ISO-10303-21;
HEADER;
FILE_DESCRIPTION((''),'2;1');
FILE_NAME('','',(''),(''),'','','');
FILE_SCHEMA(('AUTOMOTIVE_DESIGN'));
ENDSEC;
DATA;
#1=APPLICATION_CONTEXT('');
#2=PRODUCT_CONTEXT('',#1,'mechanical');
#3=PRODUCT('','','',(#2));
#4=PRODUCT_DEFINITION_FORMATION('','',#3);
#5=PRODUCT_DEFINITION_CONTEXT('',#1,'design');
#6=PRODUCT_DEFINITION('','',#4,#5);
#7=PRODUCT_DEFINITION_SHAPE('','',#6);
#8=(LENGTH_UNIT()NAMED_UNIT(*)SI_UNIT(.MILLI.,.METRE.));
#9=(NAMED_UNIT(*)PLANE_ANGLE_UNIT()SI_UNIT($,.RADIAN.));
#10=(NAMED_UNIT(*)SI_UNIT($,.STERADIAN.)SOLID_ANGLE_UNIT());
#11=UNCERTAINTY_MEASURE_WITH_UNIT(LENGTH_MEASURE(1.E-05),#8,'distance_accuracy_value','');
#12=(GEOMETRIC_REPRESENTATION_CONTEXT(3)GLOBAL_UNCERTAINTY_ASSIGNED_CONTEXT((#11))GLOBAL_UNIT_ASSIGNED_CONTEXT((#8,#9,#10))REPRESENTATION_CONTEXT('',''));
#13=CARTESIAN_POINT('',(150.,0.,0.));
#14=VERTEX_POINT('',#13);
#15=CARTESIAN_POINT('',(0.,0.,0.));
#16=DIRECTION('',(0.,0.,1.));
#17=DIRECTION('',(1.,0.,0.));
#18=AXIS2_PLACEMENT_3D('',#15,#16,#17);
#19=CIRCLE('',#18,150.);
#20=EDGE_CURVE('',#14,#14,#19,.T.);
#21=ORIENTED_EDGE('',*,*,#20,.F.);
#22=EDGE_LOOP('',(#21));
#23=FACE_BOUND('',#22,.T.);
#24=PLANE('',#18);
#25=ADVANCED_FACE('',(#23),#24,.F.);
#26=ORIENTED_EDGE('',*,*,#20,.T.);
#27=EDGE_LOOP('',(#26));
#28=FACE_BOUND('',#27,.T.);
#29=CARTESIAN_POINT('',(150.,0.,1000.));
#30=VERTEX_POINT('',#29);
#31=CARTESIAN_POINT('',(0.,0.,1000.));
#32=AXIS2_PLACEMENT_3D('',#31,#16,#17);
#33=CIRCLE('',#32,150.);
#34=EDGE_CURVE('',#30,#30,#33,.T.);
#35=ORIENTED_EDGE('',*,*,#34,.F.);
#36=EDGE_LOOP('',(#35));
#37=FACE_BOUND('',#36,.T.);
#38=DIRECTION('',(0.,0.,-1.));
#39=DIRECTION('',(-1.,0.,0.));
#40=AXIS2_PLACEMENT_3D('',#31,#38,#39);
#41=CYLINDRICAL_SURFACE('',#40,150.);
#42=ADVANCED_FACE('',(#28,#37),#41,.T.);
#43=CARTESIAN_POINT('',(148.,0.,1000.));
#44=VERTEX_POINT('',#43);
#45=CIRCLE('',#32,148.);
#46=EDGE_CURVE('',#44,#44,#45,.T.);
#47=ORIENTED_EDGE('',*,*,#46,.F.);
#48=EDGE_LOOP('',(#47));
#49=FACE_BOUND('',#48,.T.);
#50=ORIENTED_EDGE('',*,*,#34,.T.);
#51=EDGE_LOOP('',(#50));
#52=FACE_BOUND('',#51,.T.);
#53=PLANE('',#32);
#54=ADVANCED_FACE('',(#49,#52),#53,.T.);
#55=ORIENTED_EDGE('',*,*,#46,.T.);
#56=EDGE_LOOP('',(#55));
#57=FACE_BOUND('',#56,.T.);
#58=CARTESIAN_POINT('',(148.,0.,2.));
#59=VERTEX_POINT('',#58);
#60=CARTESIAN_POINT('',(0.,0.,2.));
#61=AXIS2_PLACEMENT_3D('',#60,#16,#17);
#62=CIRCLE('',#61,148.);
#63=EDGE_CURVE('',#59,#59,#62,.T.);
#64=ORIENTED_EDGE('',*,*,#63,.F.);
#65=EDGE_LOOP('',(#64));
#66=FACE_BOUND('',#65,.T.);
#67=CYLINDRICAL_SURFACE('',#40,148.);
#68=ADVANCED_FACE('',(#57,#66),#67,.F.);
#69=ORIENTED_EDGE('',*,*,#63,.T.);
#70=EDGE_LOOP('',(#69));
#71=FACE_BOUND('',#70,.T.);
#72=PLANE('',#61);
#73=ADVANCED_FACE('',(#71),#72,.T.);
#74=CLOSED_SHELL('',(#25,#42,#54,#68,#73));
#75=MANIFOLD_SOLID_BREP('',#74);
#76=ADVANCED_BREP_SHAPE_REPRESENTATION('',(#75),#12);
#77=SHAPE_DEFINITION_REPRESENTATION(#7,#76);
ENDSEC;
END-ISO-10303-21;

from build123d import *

# Parameters (mm, degrees)
SKETCH_1_R      = 150
EXTRUDE_1_DEPTH = 1000
SHELL_1_T       = -2


with BuildPart() as part:
    # ｽｹｯﾁ1 → ﾎﾞｽ - 押し出し1 (new body)
    with BuildSketch(Plane.XY):
        Circle(SKETCH_1_R)
    extrude(amount=EXTRUDE_1_DEPTH)

    # ｼｪﾙ1
    shell_1_openings = [part.faces().sort_by_distance(p)[0] for p in [
        (0, 0, 1000),
    ]]
    offset(amount=SHELL_1_T, openings=shell_1_openings, kind=Kind.INTERSECTION)


solid = part.part
